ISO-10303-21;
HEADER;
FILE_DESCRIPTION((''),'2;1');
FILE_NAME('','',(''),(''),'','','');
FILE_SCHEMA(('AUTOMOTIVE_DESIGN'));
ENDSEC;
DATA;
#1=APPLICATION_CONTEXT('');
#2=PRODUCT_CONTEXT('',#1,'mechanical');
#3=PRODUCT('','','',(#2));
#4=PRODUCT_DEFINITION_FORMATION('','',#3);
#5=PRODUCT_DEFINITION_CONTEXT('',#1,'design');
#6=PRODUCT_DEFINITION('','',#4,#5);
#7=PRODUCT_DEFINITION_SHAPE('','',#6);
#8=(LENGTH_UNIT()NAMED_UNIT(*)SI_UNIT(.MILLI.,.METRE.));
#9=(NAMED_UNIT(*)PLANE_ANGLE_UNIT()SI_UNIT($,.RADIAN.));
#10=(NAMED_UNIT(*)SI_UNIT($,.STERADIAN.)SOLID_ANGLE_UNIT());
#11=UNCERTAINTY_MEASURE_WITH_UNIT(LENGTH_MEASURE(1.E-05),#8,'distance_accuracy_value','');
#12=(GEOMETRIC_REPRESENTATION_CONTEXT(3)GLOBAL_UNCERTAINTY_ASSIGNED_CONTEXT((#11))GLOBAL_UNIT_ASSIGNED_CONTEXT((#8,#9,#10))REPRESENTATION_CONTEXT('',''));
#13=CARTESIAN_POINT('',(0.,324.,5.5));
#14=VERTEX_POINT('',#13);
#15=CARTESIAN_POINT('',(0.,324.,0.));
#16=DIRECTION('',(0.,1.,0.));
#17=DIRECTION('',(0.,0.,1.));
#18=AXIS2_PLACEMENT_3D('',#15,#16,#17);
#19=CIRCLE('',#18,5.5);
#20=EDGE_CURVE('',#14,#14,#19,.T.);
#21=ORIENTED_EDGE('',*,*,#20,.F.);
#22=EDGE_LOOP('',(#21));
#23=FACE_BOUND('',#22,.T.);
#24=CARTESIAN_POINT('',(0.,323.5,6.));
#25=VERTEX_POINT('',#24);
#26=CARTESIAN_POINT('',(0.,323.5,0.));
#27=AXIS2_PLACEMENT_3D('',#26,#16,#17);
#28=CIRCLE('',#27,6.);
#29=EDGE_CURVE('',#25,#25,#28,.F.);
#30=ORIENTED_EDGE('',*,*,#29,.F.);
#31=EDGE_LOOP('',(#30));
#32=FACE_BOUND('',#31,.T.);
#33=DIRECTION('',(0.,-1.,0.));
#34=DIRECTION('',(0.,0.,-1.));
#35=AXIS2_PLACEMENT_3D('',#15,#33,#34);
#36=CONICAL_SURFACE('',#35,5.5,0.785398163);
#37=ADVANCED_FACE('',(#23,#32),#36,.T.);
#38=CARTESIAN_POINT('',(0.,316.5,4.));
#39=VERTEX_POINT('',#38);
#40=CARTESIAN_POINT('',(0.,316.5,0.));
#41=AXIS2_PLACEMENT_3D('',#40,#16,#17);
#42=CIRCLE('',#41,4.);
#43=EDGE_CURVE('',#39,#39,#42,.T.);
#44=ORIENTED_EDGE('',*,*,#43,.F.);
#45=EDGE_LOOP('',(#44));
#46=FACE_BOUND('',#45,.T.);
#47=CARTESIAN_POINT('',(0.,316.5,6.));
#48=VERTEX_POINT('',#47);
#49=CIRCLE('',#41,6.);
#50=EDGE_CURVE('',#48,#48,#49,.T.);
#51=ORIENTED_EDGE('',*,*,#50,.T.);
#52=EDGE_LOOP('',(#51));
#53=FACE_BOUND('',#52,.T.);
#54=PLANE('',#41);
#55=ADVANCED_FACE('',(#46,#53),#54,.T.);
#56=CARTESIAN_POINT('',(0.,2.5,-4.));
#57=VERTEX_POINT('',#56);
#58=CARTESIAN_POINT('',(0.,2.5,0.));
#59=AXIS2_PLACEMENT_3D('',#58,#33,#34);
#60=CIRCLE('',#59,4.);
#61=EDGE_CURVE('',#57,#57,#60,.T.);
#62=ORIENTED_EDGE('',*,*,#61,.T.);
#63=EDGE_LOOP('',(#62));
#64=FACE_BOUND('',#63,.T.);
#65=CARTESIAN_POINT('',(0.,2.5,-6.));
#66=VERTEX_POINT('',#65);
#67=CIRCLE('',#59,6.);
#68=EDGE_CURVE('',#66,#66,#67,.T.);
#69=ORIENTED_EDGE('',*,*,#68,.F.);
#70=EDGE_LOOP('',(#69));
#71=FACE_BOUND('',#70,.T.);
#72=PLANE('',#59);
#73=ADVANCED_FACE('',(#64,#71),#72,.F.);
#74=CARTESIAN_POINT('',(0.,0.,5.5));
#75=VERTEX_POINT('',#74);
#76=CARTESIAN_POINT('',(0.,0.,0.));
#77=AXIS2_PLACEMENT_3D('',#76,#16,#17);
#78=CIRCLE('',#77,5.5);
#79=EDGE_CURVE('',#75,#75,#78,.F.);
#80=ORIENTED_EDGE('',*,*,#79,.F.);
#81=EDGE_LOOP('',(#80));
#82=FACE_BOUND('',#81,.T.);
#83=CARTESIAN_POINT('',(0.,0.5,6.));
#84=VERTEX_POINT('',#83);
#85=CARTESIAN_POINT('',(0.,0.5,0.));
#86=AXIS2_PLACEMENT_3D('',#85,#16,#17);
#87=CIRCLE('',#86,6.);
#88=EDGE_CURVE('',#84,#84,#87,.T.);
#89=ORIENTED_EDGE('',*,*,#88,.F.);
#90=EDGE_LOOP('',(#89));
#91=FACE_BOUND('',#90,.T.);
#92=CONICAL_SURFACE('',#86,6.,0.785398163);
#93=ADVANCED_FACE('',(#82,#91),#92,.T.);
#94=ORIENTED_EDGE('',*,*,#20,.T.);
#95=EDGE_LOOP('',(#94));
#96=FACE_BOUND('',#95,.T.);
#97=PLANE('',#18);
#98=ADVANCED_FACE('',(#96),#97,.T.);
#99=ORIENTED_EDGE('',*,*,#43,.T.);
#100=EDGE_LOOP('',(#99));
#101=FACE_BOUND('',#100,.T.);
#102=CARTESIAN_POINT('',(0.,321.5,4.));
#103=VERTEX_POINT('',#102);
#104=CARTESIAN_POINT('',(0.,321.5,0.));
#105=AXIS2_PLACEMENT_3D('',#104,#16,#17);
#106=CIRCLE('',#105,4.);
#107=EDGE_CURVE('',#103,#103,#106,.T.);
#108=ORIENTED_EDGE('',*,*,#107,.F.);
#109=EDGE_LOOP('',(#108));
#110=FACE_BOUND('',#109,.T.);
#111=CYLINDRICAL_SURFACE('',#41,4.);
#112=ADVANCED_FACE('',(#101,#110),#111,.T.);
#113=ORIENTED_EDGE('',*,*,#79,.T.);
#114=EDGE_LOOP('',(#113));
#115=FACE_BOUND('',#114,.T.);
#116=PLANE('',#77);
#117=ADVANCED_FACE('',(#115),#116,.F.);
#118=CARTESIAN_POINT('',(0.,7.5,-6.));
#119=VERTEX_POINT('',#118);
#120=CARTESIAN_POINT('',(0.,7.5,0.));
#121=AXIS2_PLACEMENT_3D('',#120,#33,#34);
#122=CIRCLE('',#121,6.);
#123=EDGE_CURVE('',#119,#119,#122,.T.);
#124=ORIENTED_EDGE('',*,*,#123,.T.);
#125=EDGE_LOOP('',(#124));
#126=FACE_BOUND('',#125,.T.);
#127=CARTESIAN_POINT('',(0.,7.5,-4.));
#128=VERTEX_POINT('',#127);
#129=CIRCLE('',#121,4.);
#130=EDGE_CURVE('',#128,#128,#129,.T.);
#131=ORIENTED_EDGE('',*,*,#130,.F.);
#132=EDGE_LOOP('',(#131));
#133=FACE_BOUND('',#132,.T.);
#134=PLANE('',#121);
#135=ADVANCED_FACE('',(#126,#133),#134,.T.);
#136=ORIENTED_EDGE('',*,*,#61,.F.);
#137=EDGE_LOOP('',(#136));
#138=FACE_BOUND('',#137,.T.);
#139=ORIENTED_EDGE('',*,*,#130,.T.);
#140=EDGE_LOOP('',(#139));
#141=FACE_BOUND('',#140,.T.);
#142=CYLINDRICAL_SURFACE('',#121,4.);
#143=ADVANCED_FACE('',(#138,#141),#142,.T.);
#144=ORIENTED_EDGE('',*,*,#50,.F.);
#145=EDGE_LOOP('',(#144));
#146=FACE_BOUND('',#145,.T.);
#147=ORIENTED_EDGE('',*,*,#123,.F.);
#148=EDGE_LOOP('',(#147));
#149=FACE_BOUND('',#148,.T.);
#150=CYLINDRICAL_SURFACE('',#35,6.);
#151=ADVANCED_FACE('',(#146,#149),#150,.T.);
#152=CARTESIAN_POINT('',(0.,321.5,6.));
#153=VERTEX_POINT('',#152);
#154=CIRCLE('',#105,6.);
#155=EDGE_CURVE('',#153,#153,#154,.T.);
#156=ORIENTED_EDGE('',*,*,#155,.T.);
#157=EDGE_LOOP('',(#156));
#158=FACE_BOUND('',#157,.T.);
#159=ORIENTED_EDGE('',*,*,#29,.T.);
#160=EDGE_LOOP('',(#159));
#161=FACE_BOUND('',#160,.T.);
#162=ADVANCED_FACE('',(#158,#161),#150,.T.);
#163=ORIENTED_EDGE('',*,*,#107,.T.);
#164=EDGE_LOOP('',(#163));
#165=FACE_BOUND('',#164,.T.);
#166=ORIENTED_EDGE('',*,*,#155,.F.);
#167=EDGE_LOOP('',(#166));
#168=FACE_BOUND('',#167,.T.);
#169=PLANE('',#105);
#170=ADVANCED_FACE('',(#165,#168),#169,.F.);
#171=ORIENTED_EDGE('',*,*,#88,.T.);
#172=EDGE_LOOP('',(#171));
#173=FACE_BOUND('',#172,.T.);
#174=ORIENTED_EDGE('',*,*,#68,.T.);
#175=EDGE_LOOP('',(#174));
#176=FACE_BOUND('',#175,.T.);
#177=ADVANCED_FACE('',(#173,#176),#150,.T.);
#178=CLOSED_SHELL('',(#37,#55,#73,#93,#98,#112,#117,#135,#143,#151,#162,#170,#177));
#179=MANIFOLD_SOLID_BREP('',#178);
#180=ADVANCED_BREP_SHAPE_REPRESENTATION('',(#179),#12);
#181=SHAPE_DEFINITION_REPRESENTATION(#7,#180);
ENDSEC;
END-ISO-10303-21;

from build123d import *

# Parameters (mm, degrees)
ESBO_O2_R                = 6
RESSALTO_EXTRUS_O1_DEPTH = 324
CHANFRO1_SIZE            = 0.5
ESBO_O3_R                = 6
ESBO_O3_R_2              = 4
CORTE_EXTRUS_O1_DEPTH    = 2.5
ESBO_O4_R                = 6
ESBO_O4_R_2              = 4
CORTE_EXTRUS_O2_DEPTH    = 2.5


with BuildPart() as part:
    # Esboço2 → Ressalto-extrusão1 (new body)
    with BuildSketch(Plane(origin=(0, 0, 0), x_dir=(1, 0, 0), z_dir=(0, 1, 0))):
        with Locations(Location((0, 0, 0), (0, 0, 270))):
            Circle(ESBO_O2_R)
    extrude(amount=RESSALTO_EXTRUS_O1_DEPTH)

    # Chanfro1
    chanfro1_edges = [part.edges().sort_by_distance(p)[0] for p in [
        (0, 0, -6),
        (0, 324, -6),
    ]]
    chamfer(chanfro1_edges, length=CHANFRO1_SIZE)

    # Esboço3 → Corte-extrusão1 (cut, symmetric)
    with BuildSketch(Plane(origin=(0, 5, 0), x_dir=(-1, 0, 0), z_dir=(0, -1, 0))):
        with Locations(Location((0, 0, 0), (0, 0, 90))):
            Circle(ESBO_O3_R)
        with Locations(Location((0, 0, 0), (0, 0, 90))):
            Circle(ESBO_O3_R_2, mode=Mode.SUBTRACT)
    extrude(amount=CORTE_EXTRUS_O1_DEPTH, both=True, mode=Mode.SUBTRACT)

    # Esboço4 → Corte-extrusão2 (cut, symmetric)
    with BuildSketch(Plane(origin=(0, 319, 0), x_dir=(1, 0, 0), z_dir=(0, 1, 0))):
        with Locations(Location((0, 0, 0), (0, 0, 90))):
            Circle(ESBO_O4_R)
        with Locations(Location((0, 0, 0), (0, 0, 90))):
            Circle(ESBO_O4_R_2, mode=Mode.SUBTRACT)
    extrude(amount=CORTE_EXTRUS_O2_DEPTH, both=True, mode=Mode.SUBTRACT)


solid = part.part
